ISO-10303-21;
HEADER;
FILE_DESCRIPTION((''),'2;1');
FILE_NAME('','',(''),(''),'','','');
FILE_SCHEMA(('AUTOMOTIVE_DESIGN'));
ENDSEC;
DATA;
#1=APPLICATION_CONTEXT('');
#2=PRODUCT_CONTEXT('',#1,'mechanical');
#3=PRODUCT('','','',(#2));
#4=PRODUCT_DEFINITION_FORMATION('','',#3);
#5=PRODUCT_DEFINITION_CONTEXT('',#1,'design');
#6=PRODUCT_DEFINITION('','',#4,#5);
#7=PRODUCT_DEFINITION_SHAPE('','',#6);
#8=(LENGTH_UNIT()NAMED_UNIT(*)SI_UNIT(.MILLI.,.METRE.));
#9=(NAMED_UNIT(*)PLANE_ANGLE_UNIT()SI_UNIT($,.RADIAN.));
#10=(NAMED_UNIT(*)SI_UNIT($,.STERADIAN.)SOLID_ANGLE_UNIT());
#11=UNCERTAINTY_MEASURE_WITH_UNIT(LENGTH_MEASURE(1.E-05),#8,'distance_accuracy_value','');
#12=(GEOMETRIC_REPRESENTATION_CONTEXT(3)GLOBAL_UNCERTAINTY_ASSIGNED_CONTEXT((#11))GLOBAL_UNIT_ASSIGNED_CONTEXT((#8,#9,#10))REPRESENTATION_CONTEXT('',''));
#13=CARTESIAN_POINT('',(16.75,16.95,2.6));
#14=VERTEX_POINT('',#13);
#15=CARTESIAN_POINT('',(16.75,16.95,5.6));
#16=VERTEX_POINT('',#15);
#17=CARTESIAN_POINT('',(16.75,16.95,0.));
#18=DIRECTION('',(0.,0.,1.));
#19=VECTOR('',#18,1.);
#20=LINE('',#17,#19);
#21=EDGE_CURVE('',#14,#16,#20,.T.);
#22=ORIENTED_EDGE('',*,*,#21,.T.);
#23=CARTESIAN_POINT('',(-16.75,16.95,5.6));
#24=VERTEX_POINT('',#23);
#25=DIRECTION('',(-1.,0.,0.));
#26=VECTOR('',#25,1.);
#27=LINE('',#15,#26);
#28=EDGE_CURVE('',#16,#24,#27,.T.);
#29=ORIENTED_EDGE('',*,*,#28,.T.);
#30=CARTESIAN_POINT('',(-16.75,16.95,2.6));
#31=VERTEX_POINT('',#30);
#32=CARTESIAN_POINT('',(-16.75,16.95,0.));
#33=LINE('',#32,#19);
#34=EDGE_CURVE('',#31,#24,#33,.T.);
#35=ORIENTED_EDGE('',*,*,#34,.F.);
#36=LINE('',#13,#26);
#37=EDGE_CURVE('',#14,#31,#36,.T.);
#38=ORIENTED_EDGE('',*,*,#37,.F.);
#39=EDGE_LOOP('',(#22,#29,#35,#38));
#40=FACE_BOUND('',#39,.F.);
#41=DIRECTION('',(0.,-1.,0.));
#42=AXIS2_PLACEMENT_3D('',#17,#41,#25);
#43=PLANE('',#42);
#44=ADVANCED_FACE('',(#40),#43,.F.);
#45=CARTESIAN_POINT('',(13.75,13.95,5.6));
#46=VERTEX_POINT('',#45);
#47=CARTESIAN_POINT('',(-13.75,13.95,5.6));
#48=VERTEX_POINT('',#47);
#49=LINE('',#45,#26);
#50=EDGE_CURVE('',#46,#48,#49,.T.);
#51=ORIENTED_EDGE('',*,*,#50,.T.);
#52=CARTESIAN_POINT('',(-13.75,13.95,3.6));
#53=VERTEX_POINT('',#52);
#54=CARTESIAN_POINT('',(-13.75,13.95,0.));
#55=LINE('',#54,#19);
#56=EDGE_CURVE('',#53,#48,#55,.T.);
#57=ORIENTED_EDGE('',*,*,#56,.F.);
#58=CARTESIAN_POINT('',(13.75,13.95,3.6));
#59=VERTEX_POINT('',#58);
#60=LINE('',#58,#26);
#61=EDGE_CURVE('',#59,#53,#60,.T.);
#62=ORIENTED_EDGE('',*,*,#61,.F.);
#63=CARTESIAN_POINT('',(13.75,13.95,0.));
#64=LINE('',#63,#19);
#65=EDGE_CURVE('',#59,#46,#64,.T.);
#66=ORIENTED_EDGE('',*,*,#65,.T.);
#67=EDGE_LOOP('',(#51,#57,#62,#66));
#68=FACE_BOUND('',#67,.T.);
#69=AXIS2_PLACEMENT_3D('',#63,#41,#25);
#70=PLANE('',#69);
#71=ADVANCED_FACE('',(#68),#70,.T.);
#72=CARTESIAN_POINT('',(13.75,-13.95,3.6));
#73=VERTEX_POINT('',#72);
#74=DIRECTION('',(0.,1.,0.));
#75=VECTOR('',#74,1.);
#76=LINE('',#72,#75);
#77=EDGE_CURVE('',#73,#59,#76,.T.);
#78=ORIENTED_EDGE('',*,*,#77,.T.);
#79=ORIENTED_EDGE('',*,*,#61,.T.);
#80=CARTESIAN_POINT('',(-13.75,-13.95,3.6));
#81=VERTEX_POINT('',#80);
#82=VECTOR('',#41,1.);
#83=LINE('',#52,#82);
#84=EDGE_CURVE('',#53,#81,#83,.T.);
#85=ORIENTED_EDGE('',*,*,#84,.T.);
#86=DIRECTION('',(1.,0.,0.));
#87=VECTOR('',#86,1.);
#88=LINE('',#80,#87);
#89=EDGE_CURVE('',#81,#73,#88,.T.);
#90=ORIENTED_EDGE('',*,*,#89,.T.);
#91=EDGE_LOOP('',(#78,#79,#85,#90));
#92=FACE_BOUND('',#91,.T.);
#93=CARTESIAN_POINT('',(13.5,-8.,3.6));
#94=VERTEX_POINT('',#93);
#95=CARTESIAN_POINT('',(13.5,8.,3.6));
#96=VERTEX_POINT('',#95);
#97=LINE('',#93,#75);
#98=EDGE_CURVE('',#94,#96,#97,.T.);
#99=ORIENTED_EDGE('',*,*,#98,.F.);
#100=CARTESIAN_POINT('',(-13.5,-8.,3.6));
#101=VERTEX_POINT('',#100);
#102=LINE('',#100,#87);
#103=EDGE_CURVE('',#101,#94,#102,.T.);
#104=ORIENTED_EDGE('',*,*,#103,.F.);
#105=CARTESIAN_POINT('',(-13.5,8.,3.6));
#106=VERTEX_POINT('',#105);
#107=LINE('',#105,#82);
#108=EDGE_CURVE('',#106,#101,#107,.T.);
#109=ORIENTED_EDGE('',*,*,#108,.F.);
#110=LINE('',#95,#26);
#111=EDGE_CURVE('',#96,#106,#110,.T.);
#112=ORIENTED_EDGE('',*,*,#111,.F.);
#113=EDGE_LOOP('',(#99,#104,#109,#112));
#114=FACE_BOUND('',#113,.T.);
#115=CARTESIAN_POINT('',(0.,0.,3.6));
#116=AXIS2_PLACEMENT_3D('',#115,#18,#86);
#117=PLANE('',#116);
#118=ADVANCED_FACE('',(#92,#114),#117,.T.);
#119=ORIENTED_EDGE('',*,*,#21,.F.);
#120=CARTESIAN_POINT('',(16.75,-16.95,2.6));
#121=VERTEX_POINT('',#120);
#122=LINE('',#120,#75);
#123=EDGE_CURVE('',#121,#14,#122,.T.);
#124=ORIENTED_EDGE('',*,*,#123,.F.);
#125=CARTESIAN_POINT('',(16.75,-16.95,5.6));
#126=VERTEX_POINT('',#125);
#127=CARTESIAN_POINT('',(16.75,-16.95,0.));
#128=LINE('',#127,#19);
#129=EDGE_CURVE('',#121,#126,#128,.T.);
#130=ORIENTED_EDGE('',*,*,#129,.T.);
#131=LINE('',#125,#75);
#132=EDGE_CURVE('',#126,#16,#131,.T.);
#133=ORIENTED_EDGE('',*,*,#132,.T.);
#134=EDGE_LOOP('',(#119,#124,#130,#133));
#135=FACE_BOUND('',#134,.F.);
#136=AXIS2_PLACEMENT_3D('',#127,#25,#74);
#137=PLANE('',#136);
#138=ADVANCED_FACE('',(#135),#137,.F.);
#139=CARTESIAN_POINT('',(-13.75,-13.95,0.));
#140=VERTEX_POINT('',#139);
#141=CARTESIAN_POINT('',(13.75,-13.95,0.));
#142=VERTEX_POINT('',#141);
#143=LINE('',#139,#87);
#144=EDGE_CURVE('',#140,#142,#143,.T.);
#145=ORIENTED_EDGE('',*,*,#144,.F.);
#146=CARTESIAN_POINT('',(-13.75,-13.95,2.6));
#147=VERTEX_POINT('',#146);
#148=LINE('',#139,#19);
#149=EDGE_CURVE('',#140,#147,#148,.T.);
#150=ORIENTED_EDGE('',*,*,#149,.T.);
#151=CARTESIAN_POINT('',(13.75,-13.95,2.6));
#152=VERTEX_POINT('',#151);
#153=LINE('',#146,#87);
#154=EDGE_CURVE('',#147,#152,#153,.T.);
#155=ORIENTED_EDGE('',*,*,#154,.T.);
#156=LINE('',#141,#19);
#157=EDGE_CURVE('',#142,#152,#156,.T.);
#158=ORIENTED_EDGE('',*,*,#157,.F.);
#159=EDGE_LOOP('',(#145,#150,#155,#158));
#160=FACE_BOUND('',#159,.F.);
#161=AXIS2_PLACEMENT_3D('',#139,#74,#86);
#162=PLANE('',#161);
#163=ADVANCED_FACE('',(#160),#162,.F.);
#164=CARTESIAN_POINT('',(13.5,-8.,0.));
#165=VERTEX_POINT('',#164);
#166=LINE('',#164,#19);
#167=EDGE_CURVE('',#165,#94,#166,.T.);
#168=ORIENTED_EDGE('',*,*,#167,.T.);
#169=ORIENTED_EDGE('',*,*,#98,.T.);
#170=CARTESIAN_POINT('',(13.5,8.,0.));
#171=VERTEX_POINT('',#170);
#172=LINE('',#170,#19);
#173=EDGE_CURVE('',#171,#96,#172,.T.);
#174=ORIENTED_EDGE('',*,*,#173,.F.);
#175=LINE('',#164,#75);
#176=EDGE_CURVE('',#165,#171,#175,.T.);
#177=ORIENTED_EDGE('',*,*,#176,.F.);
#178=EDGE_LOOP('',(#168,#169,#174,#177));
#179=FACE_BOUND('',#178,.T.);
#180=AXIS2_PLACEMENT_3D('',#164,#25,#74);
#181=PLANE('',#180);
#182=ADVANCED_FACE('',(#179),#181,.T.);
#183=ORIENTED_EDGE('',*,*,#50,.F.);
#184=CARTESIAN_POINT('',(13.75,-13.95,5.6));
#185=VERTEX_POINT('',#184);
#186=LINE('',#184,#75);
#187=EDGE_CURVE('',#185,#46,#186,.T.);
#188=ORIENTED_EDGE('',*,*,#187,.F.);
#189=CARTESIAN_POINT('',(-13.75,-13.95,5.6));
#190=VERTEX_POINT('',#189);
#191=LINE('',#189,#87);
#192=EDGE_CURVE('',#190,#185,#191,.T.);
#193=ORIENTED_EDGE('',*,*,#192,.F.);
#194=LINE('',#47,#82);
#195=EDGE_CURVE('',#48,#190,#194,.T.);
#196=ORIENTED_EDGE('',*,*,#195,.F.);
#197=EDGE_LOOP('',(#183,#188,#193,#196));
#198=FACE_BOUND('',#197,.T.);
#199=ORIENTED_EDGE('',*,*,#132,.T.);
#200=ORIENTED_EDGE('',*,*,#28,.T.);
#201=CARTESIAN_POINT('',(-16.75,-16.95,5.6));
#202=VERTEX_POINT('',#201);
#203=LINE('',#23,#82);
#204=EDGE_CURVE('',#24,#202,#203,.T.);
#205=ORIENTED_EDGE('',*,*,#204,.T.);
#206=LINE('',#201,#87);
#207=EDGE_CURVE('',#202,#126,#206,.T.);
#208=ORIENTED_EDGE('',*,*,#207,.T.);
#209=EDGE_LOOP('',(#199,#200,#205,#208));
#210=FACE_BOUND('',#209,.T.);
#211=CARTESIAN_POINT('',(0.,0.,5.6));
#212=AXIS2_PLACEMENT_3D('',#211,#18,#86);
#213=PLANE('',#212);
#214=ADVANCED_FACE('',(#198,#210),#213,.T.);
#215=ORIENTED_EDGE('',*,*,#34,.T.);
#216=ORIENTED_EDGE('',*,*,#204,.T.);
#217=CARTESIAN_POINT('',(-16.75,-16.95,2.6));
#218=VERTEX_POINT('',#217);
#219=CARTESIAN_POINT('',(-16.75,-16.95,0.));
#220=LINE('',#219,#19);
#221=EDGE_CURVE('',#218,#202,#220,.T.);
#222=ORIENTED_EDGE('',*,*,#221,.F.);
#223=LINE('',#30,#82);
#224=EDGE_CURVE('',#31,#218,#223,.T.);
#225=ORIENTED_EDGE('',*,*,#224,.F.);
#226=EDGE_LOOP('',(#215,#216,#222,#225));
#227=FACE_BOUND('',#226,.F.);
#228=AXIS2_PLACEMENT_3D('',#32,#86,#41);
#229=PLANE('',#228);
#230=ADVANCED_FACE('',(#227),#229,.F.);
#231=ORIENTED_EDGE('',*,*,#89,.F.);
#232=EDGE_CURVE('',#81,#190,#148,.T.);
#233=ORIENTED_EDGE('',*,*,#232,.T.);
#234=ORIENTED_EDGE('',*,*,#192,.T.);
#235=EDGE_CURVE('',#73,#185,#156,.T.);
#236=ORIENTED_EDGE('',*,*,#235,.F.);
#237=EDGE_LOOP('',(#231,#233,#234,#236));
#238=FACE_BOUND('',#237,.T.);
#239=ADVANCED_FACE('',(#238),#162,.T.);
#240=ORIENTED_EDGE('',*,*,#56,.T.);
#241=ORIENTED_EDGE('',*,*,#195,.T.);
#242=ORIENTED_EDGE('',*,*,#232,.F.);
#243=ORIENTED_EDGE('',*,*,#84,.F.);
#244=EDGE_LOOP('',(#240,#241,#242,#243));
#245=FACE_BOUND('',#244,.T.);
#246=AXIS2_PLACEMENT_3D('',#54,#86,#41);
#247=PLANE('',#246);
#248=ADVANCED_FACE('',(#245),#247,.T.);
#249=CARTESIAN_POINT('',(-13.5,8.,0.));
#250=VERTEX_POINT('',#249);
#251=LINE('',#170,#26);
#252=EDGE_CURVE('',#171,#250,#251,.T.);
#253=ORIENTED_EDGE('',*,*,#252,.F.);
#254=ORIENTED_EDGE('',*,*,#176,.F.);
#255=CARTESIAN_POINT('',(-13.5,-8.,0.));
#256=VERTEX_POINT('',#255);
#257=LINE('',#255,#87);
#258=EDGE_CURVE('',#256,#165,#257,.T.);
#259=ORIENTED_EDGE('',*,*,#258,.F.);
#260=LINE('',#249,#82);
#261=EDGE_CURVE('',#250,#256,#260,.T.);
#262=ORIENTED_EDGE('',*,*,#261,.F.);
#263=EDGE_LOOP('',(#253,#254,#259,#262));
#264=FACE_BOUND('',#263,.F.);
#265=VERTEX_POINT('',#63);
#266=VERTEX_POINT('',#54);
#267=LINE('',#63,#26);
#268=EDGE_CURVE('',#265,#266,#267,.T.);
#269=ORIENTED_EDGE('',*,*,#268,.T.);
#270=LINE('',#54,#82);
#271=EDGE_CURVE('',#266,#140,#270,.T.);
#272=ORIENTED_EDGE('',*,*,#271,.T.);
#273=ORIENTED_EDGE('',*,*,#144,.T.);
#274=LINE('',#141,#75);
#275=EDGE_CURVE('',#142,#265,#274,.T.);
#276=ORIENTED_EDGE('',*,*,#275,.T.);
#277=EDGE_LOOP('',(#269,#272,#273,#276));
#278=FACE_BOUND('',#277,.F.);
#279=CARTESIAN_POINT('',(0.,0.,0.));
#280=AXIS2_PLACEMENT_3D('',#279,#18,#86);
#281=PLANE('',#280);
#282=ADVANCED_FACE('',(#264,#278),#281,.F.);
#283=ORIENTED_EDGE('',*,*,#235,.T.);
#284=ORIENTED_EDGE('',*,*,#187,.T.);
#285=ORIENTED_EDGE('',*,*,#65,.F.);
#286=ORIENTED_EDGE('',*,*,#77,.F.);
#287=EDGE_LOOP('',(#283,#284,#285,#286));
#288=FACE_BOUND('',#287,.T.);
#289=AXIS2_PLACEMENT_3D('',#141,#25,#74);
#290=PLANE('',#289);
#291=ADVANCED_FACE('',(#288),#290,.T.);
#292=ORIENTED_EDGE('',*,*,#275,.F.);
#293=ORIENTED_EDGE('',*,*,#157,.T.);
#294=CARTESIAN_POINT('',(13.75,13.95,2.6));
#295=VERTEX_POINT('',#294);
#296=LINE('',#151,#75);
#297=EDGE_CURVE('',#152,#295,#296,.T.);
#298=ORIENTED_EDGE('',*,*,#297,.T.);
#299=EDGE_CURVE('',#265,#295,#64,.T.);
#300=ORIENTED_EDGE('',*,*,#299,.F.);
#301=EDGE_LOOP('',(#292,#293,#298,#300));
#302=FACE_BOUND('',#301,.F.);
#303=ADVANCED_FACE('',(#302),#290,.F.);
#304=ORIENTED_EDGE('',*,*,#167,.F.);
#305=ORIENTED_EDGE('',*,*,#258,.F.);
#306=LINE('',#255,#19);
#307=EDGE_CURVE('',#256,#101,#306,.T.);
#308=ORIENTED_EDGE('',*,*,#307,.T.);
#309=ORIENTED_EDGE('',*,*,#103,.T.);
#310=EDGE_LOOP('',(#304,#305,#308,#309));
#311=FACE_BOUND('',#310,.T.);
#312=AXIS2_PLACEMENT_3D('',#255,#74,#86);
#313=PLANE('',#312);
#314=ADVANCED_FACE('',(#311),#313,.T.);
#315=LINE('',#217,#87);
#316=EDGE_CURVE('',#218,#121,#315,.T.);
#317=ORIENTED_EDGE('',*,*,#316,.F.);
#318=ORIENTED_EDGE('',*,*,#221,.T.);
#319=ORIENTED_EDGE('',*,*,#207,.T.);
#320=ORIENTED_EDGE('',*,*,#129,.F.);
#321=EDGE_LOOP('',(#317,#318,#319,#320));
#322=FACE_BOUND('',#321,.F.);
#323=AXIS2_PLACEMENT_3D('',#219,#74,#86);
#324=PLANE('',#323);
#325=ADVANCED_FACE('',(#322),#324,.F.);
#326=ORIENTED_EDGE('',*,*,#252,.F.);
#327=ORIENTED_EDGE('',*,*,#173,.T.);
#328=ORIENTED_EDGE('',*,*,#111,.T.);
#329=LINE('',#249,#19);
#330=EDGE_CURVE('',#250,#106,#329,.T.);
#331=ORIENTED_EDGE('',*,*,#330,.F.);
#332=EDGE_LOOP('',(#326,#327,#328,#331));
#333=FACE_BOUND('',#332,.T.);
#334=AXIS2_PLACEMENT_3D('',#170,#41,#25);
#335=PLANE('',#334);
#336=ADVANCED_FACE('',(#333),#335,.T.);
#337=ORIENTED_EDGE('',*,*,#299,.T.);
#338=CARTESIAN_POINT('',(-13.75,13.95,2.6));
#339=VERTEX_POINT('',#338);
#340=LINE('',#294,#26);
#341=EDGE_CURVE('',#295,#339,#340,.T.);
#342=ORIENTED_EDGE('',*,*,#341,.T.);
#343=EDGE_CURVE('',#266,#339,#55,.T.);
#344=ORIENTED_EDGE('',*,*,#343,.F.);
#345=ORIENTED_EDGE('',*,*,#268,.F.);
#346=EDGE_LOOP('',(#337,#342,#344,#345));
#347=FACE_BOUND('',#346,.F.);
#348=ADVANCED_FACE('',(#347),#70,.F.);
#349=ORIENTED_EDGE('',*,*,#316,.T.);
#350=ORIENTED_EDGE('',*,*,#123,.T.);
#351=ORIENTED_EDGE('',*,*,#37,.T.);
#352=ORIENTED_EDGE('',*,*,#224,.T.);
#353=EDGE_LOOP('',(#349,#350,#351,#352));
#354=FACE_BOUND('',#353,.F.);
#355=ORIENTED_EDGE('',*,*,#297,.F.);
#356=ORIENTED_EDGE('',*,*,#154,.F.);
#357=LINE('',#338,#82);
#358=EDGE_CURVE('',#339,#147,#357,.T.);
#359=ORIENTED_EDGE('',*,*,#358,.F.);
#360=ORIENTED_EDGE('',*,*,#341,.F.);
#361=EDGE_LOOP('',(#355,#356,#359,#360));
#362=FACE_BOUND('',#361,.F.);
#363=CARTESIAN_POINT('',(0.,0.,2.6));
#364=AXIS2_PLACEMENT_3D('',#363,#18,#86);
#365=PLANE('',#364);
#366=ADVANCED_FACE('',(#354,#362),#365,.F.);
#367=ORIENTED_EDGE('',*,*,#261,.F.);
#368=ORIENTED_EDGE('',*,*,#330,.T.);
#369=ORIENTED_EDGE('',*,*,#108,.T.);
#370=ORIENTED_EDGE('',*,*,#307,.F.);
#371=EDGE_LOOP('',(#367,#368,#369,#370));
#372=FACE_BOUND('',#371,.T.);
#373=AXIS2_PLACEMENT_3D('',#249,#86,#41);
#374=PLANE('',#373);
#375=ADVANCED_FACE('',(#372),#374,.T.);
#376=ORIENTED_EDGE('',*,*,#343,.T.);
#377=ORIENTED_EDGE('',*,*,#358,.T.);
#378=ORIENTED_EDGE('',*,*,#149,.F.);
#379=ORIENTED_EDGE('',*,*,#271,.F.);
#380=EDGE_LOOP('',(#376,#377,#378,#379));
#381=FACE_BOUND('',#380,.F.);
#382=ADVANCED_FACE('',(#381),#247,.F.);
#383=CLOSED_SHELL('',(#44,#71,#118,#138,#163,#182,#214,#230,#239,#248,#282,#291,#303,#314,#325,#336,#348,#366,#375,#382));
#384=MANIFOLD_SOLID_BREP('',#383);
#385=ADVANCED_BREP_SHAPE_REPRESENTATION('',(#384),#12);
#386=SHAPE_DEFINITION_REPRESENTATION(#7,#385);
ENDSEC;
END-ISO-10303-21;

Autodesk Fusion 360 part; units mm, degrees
sketch "Esquisse1" plane through (0, 0, 0) normal (0, 0, 1) x (1, 0, 0)
  line L0 (13.5, 8) -> (-13.5, 8)
  line L1 (-13.5, 8) -> (-13.5, -8)
  line L2 (-13.5, -8) -> (13.5, -8)
  line L3 (13.5, -8) -> (13.5, 8)
  line L4 (13.5, 8) -> (-13.5, -8) construction
  line L5 (-13.5, 8) -> (13.5, -8) construction
  line L6 (13.75, 13.95) -> (-13.75, 13.95)
  line L7 (-13.75, 13.95) -> (-13.75, -13.95)
  line L8 (-13.75, -13.95) -> (13.75, -13.95)
  line L9 (13.75, -13.95) -> (13.75, 13.95)
  line L10 (13.75, 13.95) -> (-13.75, -13.95) construction
  line L11 (-13.75, 13.95) -> (13.75, -13.95) construction
  line L12 (-16.75, -16.95) -> (16.75, -16.95)
  line L13 (16.75, -16.95) -> (16.75, 16.95)
  line L14 (16.75, 16.95) -> (-16.75, 16.95)
  line L15 (-16.75, 16.95) -> (-16.75, -16.95)
  dimension "d1" = 27
  dimension "d2" = 16
  dimension "d3" = 27.5
  dimension "d4" = 27.9
  dimension "d5" = 3
extrude "Extrusion1" add sketch "Esquisse1" along normal blind 3.6 contours L6 L7 L8 L9
extrude "Extrusion2" add sketch "Esquisse1" along normal blind 5.6 contours L12 L13 L14 L15
extrude "Extrusion3" cut sketch "Esquisse1" along normal blind 2.6 contours L12 L13 L14 L15
equation "d6 = 2.6 mm + 1 mm"
equation "d8 = 2.6 mm + 3 mm"
